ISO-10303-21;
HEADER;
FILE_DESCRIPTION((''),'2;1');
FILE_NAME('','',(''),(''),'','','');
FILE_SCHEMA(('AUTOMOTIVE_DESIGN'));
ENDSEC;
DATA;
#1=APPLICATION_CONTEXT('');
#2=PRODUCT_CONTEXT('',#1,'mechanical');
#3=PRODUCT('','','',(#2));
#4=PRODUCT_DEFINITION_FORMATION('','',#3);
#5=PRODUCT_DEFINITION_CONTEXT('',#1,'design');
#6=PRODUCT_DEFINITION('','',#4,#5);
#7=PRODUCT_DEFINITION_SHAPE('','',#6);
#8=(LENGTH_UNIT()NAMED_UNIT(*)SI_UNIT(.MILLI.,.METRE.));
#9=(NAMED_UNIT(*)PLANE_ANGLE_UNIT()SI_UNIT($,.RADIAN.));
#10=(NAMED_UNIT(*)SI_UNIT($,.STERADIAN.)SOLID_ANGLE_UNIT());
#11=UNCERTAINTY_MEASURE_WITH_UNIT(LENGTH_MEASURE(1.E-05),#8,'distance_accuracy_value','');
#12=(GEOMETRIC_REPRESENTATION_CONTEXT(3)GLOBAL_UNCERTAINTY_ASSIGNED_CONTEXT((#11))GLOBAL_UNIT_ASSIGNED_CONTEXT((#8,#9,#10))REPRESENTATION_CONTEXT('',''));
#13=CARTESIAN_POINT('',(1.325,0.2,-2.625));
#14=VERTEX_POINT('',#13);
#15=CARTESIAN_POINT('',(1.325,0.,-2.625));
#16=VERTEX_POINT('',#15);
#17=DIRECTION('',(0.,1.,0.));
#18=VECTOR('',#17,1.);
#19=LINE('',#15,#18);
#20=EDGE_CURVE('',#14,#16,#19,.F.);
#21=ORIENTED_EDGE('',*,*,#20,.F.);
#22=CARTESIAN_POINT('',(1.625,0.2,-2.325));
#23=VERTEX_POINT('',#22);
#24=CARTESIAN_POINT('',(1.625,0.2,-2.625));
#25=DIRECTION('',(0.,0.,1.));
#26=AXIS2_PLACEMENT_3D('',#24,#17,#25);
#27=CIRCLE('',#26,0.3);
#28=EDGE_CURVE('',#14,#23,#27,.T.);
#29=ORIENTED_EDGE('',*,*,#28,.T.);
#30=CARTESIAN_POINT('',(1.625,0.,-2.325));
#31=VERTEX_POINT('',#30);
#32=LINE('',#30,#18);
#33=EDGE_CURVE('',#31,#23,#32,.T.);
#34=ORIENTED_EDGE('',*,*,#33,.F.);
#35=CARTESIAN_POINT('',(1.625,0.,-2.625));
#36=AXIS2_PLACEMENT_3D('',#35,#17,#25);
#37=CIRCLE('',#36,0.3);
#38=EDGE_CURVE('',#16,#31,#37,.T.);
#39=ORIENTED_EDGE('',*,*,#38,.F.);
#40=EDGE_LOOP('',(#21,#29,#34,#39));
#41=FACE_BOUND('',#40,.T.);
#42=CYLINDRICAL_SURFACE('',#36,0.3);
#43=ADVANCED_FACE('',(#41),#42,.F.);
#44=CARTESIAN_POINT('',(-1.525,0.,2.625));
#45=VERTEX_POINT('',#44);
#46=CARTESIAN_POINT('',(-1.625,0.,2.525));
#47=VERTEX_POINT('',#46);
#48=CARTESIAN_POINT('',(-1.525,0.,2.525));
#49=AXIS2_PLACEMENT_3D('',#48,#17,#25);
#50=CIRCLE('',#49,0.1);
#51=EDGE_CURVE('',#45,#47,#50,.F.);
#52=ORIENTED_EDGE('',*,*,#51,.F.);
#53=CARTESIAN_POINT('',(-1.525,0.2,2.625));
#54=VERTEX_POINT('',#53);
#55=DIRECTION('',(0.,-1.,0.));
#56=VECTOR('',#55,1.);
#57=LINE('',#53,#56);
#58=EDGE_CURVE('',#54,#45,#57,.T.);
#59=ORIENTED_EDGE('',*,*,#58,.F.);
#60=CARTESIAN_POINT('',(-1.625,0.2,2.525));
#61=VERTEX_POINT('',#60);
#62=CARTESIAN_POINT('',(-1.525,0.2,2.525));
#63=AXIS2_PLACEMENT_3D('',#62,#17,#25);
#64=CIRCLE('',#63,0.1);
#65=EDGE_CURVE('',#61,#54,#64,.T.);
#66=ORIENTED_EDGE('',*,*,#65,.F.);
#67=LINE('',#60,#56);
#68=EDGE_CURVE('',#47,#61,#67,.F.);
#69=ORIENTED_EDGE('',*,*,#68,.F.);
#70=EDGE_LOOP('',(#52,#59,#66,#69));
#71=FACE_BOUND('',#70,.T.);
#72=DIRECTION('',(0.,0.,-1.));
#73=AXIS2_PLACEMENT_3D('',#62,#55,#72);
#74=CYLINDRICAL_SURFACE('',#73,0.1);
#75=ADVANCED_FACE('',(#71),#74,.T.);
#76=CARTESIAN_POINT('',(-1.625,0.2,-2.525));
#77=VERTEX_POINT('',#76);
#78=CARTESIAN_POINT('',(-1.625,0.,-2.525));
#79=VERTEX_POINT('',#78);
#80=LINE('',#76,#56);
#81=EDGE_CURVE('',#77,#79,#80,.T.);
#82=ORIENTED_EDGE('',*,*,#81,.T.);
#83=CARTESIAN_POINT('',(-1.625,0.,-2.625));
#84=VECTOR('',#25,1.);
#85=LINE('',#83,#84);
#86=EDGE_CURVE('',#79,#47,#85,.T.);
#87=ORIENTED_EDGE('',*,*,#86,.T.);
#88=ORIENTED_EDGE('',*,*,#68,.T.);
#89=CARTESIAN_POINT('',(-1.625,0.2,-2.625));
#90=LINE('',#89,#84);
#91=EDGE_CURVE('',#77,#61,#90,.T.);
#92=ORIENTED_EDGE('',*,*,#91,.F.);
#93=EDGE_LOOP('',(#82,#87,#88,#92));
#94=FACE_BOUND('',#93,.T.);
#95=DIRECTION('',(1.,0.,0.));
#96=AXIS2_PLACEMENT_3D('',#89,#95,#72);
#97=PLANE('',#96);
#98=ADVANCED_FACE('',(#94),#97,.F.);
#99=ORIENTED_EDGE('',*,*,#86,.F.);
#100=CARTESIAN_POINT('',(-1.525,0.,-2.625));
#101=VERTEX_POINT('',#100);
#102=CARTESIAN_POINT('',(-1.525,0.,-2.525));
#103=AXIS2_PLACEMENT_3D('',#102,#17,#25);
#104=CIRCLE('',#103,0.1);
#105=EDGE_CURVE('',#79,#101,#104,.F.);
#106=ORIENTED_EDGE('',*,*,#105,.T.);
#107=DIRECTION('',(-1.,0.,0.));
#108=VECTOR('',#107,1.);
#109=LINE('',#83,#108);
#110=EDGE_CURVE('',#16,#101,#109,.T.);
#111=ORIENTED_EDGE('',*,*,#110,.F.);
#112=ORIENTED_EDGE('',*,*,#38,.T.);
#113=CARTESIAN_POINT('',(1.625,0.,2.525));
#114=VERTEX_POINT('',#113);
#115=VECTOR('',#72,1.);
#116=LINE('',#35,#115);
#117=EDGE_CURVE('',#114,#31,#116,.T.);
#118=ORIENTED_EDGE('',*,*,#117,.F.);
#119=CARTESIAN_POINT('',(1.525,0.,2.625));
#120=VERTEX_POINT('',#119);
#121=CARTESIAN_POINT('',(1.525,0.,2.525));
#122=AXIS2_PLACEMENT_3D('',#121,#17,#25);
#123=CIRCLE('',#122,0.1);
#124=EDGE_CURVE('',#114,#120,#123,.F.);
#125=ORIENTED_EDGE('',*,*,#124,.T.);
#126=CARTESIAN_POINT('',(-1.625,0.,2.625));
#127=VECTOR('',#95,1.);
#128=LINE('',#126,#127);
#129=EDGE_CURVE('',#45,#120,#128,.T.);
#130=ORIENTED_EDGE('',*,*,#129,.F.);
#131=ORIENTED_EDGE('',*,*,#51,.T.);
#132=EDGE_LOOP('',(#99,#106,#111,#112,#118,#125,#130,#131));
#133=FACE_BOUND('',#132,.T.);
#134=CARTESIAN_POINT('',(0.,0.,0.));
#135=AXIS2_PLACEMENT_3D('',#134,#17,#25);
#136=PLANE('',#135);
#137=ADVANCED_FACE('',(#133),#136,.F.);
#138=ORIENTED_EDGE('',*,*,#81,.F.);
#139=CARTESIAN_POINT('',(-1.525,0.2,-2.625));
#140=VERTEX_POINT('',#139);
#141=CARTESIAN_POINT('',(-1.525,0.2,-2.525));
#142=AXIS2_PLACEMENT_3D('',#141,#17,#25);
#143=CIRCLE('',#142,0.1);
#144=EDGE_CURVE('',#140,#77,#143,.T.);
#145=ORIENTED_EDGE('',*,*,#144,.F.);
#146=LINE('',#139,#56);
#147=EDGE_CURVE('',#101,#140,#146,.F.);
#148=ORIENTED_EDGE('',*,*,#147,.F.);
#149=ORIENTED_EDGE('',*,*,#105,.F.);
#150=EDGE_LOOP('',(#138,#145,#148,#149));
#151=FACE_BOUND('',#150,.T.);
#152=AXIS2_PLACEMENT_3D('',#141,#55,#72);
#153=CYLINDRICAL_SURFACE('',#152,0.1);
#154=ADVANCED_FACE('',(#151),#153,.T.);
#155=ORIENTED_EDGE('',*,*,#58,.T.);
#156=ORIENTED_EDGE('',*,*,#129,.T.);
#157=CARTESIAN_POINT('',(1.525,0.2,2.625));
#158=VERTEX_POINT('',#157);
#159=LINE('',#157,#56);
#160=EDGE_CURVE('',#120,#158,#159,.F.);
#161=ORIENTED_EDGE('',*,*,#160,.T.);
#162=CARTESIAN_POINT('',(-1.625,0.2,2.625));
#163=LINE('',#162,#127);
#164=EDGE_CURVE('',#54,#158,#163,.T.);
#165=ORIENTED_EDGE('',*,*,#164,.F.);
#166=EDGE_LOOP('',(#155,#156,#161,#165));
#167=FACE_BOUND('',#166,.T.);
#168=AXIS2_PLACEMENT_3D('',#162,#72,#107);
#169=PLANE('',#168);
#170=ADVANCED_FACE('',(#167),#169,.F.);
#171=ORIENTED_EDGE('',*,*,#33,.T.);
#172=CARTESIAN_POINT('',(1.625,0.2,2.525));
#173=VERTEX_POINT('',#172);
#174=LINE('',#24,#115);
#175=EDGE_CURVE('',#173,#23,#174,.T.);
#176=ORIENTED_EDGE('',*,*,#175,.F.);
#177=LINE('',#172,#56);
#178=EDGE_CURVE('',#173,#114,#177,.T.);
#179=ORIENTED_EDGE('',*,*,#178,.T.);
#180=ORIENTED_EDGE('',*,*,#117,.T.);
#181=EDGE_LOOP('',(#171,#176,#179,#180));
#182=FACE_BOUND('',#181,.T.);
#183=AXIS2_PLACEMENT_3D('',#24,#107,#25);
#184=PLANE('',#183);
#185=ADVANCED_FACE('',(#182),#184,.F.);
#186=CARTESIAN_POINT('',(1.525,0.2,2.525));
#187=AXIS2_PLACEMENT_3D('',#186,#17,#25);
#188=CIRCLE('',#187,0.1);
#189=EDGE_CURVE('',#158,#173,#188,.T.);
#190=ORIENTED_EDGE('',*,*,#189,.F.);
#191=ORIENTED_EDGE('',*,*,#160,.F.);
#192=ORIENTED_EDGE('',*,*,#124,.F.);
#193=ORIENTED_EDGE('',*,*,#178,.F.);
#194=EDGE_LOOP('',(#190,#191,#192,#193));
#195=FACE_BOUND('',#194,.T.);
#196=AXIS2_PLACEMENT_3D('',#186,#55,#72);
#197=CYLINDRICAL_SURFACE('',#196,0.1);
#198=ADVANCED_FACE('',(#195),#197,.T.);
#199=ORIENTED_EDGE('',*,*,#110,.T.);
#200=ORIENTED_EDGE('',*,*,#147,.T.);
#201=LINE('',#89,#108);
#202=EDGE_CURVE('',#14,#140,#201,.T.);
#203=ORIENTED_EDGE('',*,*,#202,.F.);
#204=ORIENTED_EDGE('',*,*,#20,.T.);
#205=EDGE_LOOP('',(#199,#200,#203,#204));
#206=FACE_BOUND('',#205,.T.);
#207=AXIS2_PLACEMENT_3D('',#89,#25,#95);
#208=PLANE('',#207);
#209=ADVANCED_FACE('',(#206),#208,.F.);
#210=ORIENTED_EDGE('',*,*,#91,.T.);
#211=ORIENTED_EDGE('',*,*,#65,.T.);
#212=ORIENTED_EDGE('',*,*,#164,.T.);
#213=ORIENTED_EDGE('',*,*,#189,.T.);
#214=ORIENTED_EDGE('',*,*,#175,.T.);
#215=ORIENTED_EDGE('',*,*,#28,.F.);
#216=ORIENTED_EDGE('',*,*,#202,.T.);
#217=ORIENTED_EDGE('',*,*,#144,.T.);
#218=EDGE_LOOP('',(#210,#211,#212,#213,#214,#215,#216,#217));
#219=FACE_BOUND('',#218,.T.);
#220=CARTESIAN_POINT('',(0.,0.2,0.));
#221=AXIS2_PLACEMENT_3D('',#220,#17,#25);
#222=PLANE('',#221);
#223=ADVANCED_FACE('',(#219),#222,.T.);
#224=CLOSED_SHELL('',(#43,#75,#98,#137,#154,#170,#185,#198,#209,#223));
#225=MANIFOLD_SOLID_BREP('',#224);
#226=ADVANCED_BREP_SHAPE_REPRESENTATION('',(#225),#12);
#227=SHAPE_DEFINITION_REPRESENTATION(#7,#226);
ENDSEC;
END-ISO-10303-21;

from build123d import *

# Parameters (mm, degrees)
SKETCH1_W           = 3.25
SKETCH1_H           = 5.25
BOSS_EXTRUDE1_DEPTH = 0.2
SKETCH2_R           = 0.3
CUT_EXTRUDE1_DEPTH  = 1.2
FILLET1_R           = 0.1


with BuildPart() as part:
    # Sketch1 → Boss-Extrude1 (new body)
    with BuildSketch(Plane(origin=(0, 0, 0), x_dir=(1, 0, 0), z_dir=(0, 1, 0))):
        Rectangle(SKETCH1_W, SKETCH1_H)
    extrude(amount=BOSS_EXTRUDE1_DEPTH)

    # Sketch2 → Cut-Extrude1 (cut, through all)
    with BuildSketch(Plane(origin=(0, 0.2, 0), x_dir=(1, 0, 0), z_dir=(0, 1, 0))):
        with Locations((1.625, 2.625)):
            Circle(SKETCH2_R)
    extrude(amount=-CUT_EXTRUDE1_DEPTH, mode=Mode.SUBTRACT)

    # Fillet1
    fillet1_edges = [part.edges().sort_by_distance(p)[0] for p in [
        (1.625, 0.1, 2.625),
        (-1.625, 0.1, 2.625),
        (-1.625, 0.1, -2.625),
    ]]
    fillet(fillet1_edges, radius=FILLET1_R)


solid = part.part
